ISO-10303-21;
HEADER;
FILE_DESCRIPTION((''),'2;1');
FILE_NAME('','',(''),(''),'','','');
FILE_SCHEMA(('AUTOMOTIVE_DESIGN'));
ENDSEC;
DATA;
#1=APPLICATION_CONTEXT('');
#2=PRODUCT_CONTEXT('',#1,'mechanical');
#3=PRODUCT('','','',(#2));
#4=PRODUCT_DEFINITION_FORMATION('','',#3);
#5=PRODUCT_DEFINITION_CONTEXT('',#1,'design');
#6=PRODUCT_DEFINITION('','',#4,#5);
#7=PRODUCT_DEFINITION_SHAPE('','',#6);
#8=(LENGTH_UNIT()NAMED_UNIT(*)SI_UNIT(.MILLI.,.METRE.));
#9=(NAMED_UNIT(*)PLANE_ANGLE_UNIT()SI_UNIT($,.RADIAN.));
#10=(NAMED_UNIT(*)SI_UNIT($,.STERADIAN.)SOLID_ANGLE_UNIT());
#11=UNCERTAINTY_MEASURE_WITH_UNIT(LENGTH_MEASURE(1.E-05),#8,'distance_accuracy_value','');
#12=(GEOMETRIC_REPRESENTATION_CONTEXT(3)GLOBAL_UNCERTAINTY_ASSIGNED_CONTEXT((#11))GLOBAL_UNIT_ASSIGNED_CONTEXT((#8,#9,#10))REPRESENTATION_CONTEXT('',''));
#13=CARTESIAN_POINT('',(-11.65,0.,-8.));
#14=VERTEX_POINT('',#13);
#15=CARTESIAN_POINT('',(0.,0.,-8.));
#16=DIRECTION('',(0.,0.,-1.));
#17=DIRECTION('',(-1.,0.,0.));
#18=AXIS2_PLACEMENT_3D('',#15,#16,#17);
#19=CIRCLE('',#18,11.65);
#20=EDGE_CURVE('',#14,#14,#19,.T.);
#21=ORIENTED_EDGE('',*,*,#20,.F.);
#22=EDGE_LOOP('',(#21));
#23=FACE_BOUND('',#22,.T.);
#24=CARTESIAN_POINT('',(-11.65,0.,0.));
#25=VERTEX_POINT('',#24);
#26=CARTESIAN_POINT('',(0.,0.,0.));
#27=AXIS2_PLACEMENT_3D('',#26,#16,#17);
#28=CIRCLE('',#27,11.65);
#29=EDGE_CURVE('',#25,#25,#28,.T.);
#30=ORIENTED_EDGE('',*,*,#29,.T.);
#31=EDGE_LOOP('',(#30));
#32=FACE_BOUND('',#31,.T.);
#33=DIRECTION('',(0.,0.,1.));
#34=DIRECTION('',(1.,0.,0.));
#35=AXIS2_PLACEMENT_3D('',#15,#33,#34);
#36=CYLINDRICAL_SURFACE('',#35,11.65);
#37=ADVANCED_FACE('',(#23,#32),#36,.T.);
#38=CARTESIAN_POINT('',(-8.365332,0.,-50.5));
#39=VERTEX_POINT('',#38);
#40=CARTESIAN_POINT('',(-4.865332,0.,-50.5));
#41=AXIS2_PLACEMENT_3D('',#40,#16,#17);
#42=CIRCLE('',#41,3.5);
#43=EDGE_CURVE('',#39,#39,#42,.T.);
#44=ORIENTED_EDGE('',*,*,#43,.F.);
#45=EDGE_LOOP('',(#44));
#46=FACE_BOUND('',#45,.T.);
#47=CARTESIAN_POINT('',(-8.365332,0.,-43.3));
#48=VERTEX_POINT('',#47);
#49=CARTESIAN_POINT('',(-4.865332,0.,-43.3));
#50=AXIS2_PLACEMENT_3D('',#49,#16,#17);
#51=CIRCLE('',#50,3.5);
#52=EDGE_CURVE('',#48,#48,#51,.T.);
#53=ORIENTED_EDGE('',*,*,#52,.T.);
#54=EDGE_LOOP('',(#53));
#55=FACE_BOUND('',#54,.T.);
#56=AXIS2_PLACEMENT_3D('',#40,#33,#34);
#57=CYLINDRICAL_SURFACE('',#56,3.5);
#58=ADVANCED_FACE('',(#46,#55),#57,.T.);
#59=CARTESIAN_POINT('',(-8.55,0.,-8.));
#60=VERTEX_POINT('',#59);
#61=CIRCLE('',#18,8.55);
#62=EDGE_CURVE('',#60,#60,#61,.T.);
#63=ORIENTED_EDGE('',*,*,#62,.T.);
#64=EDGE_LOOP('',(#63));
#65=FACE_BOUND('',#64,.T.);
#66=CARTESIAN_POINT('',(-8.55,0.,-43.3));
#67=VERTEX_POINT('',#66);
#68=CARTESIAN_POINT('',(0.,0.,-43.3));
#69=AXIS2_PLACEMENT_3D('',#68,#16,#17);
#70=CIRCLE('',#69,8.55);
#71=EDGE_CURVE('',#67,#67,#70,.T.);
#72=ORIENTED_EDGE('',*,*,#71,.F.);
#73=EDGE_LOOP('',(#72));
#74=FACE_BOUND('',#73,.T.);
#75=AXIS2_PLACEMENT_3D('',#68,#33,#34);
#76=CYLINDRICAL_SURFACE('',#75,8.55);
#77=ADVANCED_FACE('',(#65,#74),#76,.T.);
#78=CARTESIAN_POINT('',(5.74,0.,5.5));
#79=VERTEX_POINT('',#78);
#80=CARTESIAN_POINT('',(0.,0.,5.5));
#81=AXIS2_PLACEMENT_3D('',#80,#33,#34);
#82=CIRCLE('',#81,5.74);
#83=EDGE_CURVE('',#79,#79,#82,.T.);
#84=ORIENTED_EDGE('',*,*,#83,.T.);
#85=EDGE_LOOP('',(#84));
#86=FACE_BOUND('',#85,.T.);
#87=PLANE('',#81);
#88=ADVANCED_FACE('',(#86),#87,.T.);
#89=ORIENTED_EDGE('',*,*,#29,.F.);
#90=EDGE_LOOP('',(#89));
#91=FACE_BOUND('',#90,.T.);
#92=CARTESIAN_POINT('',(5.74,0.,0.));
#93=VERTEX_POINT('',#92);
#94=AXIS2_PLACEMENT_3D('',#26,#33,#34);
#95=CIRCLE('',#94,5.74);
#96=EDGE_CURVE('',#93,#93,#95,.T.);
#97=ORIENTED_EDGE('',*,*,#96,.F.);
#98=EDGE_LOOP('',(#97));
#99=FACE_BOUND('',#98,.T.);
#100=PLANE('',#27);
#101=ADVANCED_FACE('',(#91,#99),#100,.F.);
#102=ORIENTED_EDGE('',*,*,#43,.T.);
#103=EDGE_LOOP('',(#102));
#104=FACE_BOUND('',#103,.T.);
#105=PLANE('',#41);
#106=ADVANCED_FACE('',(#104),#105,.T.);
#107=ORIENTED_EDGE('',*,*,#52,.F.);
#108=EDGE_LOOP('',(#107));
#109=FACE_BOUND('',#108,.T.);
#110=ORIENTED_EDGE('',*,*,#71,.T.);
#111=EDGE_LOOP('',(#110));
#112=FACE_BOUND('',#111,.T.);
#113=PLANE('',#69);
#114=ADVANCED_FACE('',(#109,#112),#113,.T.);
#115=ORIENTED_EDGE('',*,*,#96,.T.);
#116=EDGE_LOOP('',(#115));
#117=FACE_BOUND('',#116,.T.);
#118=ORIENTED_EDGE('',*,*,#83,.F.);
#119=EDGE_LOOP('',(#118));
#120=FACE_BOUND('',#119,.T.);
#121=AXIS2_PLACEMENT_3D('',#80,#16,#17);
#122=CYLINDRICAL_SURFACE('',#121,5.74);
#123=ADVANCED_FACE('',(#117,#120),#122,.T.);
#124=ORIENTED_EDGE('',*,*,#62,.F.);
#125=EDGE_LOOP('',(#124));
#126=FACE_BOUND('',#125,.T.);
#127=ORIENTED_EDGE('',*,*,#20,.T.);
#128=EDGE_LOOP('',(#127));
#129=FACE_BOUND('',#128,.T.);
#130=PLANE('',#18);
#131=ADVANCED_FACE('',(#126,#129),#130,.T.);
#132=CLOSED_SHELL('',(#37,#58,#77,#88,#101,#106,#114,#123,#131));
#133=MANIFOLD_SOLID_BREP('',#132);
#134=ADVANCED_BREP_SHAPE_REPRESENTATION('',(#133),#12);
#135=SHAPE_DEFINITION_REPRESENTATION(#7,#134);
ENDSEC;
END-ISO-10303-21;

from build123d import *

# Parameters (mm, degrees)
ESQUISSE1_R        = 5.74
BOSS_EXTRU_1_DEPTH = 5.5
ESQUISSE2_R        = 11.65
BOSS_EXTRU_2_DEPTH = 8
ESQUISSE3_R        = 8.55
BOSS_EXTRU_3_DEPTH = 35.3
ESQUISSE4_R        = 3.5
BOSS_EXTRU_4_DEPTH = 7.2


with BuildPart() as part:
    # Esquisse1 → Boss.-Extru.1 (new body)
    with BuildSketch(Plane.XY):
        Circle(ESQUISSE1_R)
    extrude(amount=BOSS_EXTRU_1_DEPTH)

    # Esquisse2 → Boss.-Extru.2 (add)
    with BuildSketch(Plane(origin=(0, 0, 0), x_dir=(-1, 0, 0), z_dir=(0, 0, -1))):
        Circle(ESQUISSE2_R)
    extrude(amount=BOSS_EXTRU_2_DEPTH)

    # Esquisse3 → Boss.-Extru.3 (add)
    with BuildSketch(Plane(origin=(0, 0, -8), x_dir=(-1, 0, 0), z_dir=(0, 0, -1))):
        Circle(ESQUISSE3_R)
    extrude(amount=BOSS_EXTRU_3_DEPTH)

    # Esquisse4 → Boss.-Extru.4 (add)
    with BuildSketch(Plane(origin=(0, 0, -43.3), x_dir=(-1, 0, 0), z_dir=(0, 0, -1))):
        with Locations((4.865332224, 0)):
            Circle(ESQUISSE4_R)
    extrude(amount=BOSS_EXTRU_4_DEPTH)


solid = part.part
